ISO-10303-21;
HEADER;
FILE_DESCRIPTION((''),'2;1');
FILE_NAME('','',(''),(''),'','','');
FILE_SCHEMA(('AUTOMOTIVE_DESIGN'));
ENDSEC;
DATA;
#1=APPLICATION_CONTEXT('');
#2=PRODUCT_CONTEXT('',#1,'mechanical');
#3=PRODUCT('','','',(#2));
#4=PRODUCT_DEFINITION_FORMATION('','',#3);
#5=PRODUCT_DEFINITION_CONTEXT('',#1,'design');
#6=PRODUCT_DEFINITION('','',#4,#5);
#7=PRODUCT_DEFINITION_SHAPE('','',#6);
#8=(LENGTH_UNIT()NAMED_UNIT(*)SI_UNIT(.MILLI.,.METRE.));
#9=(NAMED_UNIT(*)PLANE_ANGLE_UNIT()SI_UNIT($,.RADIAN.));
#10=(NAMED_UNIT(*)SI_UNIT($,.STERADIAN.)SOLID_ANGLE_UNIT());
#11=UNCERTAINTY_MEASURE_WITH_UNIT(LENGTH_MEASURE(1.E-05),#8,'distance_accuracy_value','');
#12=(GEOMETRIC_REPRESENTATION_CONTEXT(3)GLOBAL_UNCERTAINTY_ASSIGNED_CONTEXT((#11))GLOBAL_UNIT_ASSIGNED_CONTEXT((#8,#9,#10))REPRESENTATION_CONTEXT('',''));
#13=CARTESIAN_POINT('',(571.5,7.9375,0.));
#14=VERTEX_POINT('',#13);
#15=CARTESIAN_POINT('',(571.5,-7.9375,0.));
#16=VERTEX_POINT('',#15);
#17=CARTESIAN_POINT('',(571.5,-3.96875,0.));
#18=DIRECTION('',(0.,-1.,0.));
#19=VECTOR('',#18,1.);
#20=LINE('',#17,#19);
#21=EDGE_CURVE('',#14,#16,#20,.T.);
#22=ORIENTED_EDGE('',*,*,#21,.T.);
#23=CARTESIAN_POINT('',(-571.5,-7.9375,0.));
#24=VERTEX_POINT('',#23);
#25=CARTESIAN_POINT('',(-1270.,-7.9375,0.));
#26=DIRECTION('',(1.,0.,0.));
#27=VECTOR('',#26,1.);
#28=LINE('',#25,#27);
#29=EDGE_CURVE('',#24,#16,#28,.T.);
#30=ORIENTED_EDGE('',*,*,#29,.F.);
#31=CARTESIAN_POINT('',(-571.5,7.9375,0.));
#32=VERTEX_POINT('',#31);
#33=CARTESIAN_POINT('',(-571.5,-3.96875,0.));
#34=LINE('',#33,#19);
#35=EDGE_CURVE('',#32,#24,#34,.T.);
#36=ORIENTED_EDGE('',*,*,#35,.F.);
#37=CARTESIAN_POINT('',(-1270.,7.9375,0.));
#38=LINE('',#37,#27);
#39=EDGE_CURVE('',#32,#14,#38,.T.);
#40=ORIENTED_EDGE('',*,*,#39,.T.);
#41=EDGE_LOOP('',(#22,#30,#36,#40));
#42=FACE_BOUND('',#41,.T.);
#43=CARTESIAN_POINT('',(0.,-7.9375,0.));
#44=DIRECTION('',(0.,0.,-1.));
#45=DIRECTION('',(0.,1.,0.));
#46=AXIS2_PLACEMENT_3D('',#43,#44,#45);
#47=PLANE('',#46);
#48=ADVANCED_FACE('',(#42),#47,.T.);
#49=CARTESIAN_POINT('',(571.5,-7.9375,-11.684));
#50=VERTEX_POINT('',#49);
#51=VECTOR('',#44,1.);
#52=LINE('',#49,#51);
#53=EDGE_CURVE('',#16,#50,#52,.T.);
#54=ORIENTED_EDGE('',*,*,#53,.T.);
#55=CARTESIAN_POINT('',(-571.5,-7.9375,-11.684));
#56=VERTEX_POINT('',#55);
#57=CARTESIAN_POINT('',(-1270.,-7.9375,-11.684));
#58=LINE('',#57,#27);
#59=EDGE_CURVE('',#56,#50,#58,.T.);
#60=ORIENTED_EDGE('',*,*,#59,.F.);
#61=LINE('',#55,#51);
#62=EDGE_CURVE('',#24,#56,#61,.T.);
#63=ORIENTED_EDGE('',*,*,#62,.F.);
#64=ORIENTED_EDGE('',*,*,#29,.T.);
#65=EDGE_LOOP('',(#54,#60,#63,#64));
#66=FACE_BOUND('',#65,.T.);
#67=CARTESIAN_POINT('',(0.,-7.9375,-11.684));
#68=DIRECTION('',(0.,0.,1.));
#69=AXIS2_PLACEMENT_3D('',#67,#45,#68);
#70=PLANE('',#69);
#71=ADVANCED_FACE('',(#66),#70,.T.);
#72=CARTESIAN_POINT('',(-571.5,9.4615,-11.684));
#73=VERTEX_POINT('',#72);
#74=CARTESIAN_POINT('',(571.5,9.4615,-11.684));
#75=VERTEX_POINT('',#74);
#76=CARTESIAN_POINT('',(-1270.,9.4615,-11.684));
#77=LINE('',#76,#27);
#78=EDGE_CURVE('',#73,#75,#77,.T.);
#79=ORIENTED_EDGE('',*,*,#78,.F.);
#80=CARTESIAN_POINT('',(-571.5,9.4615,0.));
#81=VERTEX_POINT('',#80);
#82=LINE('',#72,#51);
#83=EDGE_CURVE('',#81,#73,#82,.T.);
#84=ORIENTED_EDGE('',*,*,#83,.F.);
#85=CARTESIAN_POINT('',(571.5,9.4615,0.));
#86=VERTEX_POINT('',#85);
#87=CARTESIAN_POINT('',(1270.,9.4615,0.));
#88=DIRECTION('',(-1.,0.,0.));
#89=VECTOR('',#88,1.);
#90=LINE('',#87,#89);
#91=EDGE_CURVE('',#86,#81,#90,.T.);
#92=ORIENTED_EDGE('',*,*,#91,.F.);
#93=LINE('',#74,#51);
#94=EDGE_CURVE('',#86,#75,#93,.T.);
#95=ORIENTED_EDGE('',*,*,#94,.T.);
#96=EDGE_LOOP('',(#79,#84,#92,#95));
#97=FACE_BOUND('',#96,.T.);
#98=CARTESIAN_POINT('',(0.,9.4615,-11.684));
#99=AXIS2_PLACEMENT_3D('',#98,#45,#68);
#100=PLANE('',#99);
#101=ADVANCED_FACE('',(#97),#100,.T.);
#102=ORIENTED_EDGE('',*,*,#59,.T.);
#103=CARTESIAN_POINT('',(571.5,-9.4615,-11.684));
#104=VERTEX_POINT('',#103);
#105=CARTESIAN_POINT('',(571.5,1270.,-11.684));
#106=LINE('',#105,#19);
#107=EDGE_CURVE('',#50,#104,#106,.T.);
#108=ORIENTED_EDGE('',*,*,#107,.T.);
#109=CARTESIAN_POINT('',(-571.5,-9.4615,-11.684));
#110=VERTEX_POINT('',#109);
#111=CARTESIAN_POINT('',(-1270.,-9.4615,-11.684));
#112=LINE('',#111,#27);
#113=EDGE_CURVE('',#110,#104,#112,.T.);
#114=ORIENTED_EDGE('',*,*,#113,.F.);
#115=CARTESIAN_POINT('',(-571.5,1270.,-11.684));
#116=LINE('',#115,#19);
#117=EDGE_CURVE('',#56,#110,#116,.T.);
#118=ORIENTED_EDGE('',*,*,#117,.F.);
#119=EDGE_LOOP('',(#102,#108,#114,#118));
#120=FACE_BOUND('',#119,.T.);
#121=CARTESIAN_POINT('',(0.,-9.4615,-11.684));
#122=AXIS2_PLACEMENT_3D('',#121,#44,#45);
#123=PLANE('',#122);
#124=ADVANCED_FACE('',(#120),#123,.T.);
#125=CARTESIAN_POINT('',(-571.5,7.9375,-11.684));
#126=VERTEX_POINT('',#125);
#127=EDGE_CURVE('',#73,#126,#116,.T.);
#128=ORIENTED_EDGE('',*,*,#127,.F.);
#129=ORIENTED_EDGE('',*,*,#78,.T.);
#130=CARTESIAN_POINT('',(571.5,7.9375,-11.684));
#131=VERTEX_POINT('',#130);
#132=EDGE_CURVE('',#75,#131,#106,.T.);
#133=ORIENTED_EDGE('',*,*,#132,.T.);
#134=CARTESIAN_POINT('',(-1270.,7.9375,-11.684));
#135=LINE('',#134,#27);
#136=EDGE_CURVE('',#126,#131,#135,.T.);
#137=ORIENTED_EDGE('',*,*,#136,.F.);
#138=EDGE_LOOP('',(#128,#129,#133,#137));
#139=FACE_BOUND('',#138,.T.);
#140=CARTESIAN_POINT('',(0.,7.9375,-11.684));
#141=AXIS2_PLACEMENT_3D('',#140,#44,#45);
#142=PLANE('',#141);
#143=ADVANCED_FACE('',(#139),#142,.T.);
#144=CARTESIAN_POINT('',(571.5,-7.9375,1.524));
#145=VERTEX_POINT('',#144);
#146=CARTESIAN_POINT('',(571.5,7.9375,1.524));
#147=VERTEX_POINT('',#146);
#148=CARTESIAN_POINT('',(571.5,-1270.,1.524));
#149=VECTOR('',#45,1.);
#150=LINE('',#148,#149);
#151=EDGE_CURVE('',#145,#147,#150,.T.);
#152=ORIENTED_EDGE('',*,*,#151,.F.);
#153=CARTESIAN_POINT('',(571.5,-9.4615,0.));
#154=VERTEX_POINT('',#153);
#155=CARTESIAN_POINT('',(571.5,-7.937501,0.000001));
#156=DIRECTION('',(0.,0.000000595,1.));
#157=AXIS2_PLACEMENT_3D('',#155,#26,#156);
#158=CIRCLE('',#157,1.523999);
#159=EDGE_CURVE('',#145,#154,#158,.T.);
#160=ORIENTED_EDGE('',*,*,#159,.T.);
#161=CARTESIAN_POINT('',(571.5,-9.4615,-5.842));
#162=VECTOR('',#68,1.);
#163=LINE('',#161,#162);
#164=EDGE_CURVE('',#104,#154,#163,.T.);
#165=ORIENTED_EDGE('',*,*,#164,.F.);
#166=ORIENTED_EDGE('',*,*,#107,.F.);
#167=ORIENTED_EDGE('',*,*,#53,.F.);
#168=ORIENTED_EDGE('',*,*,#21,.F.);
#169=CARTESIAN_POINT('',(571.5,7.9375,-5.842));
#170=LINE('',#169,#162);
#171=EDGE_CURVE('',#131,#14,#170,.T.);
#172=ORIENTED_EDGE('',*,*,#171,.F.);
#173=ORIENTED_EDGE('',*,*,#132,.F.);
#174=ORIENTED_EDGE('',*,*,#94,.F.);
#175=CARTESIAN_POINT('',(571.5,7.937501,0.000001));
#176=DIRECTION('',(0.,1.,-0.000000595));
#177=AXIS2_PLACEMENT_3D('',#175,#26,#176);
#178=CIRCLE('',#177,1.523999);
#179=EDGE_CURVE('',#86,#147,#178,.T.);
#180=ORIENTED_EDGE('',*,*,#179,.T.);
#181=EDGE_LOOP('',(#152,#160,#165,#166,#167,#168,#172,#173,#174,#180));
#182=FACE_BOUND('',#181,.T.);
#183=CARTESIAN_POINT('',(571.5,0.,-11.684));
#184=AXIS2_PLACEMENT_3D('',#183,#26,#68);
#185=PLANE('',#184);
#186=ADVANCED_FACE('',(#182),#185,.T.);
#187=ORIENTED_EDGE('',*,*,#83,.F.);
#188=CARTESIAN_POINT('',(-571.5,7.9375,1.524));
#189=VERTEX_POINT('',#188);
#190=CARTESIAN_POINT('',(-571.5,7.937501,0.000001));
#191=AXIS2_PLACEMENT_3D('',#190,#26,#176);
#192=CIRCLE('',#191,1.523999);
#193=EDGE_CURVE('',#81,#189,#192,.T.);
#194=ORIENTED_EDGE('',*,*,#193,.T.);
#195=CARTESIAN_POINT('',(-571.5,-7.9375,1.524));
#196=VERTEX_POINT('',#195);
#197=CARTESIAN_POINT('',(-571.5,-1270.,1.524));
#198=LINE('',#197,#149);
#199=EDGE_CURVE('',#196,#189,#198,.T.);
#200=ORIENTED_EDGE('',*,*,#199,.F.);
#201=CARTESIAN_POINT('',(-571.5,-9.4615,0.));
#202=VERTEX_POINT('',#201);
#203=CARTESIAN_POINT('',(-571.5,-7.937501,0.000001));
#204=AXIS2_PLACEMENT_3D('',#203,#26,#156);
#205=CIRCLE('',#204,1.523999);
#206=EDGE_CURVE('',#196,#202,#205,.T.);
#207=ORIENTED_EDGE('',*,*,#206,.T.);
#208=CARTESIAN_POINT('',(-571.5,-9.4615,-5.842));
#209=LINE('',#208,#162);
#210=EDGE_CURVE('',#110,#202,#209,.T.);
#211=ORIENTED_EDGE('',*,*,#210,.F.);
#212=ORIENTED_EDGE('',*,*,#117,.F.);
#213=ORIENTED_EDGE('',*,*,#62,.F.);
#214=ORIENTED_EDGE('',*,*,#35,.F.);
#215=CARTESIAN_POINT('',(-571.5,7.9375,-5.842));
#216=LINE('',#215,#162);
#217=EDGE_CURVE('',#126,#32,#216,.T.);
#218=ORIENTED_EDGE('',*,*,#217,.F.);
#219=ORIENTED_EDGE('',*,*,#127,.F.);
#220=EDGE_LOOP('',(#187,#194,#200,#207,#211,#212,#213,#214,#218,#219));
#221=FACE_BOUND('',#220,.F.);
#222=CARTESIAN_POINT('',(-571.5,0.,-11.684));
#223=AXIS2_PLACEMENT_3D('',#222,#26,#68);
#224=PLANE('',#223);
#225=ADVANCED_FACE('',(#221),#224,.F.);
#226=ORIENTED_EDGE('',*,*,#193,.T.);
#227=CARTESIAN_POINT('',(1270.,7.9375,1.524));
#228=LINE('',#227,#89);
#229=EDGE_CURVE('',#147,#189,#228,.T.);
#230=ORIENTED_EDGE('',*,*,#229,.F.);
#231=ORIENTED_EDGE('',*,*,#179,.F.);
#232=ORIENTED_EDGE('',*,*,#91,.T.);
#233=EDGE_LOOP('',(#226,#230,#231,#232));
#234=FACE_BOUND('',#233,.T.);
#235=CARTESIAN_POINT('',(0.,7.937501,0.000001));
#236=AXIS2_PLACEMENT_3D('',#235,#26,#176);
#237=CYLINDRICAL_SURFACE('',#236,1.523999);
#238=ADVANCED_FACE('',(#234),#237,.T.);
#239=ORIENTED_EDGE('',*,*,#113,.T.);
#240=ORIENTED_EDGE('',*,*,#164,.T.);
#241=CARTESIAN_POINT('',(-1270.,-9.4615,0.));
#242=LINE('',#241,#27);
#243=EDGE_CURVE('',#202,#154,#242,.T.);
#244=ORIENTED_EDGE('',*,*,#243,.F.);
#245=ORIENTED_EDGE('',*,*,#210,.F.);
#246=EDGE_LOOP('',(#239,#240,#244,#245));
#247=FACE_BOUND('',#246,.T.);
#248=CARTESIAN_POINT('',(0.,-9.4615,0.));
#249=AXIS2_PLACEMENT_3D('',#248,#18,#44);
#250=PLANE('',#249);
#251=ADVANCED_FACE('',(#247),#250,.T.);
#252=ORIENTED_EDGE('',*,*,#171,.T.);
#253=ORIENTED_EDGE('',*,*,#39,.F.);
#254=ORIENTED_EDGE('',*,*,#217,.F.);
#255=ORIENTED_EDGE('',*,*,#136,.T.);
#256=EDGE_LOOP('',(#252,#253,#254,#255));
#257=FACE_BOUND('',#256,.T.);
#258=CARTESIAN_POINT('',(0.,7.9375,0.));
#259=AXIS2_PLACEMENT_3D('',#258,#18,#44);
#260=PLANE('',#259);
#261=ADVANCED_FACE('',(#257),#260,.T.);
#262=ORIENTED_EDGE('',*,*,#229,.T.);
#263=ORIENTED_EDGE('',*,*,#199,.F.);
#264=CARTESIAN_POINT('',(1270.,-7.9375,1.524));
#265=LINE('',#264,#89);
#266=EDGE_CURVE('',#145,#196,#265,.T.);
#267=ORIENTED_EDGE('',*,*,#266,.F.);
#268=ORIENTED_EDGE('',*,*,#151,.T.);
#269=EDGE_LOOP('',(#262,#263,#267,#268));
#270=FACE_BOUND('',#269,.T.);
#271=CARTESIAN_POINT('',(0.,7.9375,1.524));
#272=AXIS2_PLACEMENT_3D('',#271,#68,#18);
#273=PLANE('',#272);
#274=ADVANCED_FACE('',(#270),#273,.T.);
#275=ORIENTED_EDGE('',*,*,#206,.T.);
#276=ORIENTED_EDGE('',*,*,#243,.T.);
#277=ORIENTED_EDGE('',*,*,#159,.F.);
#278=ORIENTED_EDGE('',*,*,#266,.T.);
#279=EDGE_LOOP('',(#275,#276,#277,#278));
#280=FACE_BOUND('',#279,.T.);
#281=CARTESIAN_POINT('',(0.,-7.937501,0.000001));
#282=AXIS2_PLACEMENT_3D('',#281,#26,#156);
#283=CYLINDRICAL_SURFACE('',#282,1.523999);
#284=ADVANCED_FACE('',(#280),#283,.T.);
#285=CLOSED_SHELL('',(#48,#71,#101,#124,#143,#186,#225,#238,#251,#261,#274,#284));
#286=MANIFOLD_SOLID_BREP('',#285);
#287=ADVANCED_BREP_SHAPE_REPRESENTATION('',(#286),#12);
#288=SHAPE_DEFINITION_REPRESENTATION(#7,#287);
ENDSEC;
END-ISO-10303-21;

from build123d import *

# Parameters (mm, degrees)
F1_DEPTH = 1270
F2_W     = 1143
F2_H     = 13.208
F3_DEPTH = 1270


with BuildPart() as f1:
    # F0 (on Right) → F1 (new body, symmetric)
    with BuildSketch(Plane.YZ):
        with BuildLine():
            ThreePointArc((-7.9375, 1.524), (-9.015131, 1.077631), (-9.4615, 0))
            Line((-9.4615, 0), (-9.4615, -11.684))
            Line((-9.4615, -11.684), (-7.9375, -11.684))
            Line((-7.9375, -11.684), (-7.9375, 0))
            Line((-7.9375, 0), (7.9375, 0))
            Line((7.9375, 0), (7.9375, -11.684))
            Line((7.9375, -11.684), (9.4615, -11.684))
            Line((9.4615, -11.684), (9.4615, 0))
            ThreePointArc((9.4615, 0), (9.015131, 1.077631), (7.9375, 1.524))
            Line((7.9375, 1.524), (-7.9375, 1.524))
        make_face()
    extrude(amount=F1_DEPTH, both=True)

    # F2 (on Front) → F3 (intersect, symmetric)
    with BuildSketch(Plane.XZ):
        with Locations((0, -5.08)):
            Rectangle(F2_W, F2_H)
    extrude(amount=F3_DEPTH, both=True, mode=Mode.INTERSECT)


solid = f1.part
